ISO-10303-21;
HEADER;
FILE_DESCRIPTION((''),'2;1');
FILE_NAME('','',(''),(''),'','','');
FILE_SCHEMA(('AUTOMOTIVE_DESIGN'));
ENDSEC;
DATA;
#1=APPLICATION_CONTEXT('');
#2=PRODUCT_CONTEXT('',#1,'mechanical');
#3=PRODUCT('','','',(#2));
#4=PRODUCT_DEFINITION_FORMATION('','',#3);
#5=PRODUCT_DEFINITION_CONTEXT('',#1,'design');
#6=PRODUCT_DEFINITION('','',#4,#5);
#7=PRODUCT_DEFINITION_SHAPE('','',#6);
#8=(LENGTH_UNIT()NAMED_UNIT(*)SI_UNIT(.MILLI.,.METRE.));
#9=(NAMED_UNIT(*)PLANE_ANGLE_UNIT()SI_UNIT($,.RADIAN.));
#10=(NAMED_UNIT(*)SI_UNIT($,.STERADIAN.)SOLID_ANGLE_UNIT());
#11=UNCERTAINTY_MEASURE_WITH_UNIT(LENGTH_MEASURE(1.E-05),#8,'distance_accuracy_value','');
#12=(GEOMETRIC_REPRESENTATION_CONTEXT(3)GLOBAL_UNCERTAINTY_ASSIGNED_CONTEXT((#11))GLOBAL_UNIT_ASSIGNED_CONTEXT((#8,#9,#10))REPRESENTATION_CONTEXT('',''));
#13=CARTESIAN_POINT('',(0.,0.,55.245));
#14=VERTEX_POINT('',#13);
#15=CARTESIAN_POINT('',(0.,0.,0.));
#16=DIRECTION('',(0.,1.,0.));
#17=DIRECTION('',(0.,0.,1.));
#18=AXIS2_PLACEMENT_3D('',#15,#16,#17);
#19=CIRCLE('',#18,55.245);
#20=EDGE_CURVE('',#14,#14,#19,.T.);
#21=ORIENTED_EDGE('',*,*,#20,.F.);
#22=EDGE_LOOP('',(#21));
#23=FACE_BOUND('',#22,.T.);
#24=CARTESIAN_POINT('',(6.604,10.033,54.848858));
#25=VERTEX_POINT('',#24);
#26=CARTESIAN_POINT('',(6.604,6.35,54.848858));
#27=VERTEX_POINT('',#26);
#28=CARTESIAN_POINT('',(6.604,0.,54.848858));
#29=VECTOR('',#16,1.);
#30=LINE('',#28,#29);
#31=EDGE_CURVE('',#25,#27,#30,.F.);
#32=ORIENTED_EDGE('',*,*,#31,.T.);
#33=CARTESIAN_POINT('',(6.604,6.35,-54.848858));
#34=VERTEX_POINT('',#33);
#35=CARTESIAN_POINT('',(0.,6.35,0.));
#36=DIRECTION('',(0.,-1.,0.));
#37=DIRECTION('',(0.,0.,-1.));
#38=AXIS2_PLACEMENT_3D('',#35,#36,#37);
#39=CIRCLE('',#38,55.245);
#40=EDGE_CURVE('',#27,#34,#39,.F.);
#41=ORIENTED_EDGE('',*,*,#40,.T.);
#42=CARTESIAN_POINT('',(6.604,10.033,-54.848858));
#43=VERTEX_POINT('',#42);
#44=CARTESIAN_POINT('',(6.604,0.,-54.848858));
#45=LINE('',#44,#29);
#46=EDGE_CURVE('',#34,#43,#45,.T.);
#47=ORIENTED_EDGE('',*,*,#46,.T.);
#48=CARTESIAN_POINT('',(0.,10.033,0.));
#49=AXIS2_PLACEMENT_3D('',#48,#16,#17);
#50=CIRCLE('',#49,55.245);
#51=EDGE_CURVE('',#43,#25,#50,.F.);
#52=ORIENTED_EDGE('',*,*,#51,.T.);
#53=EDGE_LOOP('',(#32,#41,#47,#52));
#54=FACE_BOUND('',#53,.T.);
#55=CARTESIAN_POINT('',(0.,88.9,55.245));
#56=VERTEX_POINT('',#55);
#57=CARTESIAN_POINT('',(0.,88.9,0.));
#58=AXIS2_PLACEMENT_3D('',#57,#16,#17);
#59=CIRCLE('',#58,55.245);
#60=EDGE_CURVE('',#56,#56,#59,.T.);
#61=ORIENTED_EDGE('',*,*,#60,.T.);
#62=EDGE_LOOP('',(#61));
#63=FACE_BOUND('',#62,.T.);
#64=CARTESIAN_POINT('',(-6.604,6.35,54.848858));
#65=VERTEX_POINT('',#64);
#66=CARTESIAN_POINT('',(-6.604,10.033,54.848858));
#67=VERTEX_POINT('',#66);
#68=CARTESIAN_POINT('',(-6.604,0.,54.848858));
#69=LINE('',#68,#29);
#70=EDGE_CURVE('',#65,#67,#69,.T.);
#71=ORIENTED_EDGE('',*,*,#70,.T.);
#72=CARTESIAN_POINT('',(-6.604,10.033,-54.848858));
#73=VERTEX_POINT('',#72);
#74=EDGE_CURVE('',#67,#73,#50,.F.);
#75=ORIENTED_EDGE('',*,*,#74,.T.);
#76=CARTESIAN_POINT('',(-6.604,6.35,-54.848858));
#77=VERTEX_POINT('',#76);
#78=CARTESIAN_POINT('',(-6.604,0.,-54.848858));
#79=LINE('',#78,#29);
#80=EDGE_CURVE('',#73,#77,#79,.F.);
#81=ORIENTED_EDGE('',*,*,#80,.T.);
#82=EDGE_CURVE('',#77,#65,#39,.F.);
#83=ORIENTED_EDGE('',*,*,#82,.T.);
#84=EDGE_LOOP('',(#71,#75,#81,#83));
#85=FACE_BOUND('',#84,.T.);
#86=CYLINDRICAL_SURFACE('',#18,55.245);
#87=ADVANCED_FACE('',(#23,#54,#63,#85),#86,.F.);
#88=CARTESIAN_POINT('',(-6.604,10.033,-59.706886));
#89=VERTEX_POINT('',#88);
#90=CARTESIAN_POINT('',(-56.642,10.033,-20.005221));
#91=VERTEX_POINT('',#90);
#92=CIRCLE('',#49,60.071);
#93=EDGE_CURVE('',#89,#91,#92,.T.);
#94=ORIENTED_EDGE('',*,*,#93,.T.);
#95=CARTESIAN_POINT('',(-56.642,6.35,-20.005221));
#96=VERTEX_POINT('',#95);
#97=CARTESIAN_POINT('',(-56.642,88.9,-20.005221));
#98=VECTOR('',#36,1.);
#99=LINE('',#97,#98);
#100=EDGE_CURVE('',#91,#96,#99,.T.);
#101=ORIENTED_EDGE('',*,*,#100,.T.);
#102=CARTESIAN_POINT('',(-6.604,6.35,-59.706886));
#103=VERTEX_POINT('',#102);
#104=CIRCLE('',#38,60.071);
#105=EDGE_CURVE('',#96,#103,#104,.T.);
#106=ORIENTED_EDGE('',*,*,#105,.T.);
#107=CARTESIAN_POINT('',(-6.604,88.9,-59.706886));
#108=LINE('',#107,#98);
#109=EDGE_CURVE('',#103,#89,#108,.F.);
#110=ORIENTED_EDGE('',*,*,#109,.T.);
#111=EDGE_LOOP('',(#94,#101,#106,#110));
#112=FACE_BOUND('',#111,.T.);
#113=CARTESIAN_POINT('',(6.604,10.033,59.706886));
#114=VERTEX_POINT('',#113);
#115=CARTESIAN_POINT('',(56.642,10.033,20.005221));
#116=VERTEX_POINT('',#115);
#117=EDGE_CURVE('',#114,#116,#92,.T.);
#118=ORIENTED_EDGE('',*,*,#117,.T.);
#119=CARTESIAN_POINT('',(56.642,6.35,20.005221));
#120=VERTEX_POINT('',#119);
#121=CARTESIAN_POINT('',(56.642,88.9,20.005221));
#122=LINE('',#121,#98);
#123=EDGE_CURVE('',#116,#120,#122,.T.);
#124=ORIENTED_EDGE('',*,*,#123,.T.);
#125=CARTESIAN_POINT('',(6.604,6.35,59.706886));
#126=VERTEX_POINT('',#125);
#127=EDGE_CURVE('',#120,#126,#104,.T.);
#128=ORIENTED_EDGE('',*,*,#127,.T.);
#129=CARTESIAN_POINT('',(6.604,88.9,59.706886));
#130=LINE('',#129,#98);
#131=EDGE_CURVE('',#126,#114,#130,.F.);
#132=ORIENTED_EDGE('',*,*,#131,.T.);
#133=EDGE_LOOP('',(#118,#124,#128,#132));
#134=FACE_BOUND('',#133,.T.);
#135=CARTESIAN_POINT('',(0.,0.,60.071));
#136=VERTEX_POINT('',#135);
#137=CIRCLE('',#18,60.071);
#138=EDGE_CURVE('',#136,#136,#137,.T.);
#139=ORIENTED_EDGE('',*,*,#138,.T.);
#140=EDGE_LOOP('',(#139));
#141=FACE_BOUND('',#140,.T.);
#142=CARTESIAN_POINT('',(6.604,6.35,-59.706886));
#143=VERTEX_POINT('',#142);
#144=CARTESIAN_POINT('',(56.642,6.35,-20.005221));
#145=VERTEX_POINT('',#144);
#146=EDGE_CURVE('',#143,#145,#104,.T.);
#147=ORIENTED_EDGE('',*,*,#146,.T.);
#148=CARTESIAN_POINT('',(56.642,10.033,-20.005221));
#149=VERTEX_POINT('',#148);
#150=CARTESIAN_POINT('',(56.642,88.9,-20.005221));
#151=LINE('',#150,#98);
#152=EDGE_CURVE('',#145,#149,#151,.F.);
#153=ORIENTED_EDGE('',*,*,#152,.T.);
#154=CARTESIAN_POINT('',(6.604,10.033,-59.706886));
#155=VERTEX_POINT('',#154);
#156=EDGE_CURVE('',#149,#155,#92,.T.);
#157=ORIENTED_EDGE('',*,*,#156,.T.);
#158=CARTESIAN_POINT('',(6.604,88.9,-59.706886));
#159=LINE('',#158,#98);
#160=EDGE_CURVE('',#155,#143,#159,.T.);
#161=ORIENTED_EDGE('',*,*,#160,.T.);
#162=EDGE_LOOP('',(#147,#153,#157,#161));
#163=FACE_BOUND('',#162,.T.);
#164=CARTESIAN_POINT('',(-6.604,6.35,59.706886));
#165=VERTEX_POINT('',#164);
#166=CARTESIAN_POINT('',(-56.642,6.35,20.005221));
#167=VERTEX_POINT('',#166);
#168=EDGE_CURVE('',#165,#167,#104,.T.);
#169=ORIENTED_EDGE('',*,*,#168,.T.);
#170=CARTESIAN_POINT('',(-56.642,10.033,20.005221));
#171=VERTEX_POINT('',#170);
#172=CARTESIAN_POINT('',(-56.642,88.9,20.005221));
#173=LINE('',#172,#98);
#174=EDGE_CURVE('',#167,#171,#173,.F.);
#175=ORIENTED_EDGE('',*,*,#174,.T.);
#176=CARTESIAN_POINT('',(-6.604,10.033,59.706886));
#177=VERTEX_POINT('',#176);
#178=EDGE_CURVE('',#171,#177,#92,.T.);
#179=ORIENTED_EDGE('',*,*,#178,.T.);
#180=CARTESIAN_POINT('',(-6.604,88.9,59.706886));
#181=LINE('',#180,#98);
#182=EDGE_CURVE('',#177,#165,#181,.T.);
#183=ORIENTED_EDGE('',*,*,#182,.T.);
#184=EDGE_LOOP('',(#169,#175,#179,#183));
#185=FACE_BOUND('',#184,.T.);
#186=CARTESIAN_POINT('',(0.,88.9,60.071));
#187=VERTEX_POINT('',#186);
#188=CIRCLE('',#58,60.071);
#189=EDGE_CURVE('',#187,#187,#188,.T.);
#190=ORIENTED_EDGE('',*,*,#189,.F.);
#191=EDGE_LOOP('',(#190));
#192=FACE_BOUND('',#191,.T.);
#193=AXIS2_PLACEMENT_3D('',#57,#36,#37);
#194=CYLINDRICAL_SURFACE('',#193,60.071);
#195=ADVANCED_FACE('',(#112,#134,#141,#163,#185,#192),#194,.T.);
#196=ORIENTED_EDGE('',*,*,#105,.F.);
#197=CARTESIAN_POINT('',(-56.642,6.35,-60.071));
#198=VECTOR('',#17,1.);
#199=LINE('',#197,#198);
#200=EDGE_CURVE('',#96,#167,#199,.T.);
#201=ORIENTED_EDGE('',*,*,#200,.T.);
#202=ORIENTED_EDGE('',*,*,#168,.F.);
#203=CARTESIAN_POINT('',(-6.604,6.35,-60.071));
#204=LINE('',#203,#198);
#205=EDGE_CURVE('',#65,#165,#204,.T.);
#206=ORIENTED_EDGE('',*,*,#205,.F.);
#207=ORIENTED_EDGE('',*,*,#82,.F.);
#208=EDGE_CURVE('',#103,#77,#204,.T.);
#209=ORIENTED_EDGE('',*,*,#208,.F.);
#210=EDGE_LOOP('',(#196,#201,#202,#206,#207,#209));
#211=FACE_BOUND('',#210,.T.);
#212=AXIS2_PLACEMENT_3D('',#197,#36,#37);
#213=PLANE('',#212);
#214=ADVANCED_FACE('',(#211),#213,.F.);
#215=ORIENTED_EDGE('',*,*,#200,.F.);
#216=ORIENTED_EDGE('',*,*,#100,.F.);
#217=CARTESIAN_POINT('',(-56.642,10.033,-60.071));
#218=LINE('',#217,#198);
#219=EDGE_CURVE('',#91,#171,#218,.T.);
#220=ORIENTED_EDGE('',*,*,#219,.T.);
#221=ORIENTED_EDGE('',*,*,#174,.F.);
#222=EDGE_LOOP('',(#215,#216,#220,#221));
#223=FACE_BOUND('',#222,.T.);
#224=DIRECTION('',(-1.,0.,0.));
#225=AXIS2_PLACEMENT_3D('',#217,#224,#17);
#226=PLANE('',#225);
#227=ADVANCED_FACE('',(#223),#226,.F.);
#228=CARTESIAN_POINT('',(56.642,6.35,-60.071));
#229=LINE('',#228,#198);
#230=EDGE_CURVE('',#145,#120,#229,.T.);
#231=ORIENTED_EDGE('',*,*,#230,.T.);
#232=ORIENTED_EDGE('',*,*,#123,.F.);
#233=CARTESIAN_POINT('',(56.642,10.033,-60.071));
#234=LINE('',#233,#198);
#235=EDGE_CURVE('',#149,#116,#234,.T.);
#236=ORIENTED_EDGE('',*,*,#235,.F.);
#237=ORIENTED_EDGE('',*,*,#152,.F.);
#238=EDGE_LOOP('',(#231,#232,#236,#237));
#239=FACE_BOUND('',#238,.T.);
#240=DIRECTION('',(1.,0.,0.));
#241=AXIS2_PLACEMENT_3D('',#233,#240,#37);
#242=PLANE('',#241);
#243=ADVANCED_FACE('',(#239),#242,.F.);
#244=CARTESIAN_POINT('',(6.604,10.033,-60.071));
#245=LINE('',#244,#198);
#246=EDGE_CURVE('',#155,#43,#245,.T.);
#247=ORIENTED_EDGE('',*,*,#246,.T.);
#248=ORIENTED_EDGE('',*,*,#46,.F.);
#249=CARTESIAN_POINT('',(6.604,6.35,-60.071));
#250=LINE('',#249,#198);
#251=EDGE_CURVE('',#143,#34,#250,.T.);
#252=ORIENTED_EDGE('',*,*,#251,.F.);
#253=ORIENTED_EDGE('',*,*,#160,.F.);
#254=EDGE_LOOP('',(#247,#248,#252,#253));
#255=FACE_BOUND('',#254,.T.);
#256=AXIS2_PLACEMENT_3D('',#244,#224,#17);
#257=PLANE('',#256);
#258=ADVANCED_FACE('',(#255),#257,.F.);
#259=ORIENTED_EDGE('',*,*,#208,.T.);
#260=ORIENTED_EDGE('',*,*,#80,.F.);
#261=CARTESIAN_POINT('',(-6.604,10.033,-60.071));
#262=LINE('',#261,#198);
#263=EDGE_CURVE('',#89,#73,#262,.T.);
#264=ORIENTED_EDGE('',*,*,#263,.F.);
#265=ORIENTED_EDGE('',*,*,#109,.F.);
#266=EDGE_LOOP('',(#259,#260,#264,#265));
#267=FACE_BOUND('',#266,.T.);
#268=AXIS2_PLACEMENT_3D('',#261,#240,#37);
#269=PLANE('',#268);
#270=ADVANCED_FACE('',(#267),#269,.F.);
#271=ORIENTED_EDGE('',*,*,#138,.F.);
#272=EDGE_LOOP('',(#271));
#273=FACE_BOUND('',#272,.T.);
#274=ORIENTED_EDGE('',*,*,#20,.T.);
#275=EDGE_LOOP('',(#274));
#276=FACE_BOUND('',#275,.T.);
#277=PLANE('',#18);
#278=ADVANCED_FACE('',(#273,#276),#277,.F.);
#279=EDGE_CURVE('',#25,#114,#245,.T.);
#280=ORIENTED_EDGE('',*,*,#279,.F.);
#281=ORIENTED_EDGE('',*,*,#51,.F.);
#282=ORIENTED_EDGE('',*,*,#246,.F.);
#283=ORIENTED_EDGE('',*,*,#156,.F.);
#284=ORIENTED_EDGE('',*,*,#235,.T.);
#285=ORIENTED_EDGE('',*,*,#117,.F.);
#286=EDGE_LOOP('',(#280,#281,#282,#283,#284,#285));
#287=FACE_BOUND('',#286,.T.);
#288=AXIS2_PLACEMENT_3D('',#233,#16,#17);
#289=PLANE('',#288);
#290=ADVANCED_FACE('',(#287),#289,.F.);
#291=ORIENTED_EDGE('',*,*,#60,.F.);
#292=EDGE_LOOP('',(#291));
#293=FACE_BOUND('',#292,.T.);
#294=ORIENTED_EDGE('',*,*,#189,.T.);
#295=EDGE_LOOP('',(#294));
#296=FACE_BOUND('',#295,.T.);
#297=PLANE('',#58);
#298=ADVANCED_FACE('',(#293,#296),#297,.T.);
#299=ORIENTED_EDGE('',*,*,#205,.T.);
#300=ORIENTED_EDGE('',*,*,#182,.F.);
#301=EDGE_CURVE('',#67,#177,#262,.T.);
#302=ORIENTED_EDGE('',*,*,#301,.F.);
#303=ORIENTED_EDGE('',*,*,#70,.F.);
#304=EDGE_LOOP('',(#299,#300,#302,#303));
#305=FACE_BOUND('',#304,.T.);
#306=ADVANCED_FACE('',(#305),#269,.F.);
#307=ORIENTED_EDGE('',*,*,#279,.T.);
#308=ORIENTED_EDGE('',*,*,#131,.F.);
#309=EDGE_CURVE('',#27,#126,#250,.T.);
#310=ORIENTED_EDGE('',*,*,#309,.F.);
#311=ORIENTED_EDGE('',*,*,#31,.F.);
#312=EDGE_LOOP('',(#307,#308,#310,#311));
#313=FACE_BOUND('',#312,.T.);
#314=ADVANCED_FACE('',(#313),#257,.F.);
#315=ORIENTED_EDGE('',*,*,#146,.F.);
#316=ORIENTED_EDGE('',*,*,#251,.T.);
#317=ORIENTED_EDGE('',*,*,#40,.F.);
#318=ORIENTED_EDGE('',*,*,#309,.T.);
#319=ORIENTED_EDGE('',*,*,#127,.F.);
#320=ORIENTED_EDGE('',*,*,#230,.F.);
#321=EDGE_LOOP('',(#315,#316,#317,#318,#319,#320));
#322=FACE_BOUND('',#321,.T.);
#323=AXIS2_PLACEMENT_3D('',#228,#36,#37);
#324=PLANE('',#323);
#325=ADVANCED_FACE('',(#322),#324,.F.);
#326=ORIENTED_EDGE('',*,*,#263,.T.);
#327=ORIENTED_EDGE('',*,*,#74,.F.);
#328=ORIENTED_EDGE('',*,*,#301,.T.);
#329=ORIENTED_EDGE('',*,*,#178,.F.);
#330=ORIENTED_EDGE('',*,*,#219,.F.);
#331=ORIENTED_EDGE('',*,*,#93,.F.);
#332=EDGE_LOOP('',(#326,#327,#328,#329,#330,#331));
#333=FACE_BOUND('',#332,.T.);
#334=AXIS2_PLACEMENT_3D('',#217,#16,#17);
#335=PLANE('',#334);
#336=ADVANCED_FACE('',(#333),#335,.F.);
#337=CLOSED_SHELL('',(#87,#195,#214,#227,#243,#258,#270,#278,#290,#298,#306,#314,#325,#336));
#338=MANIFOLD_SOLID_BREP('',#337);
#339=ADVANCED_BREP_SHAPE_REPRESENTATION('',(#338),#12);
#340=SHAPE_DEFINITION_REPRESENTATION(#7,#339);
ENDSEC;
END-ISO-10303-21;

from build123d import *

# Parameters (mm, degrees)
SKETCH1_R               = 60.071
BOSS_EXTRUDE1_DEPTH     = 88.9
SKETCH2_R               = 55.245
CUT_EXTRUDE1_DEPTH      = 123.964466745
CUT_EXTRUDE4_DEPTH      = 123.964466745
CUT_EXTRUDE4_DEPTH_BACK = 123.964466745
SKETCH6_W               = 50.038
SKETCH6_H               = 3.683


with BuildPart() as part:
    # Sketch1 → Boss-Extrude1 (new body)
    with BuildSketch(Plane(origin=(0, 0, 0), x_dir=(1, 0, 0), z_dir=(0, 1, 0))):
        with Locations(Location((0, 0, 0), (0, 0, 270))):
            Circle(SKETCH1_R)
    extrude(amount=BOSS_EXTRUDE1_DEPTH)

    # Sketch2 → Cut-Extrude1 (cut, through all)
    with BuildSketch(Plane(origin=(0, 88.9, 0), x_dir=(1, 0, 0), z_dir=(0, 1, 0))):
        with Locations(Location((0, 0, 0), (0, 0, 270))):
            Circle(SKETCH2_R)
    extrude(amount=-CUT_EXTRUDE1_DEPTH, mode=Mode.SUBTRACT)

    # Sketch6 → Cut-Extrude4 (cut, two sides: drawn at the far end of the back side and taken through both)
    with BuildSketch(Plane.XY.offset(-CUT_EXTRUDE4_DEPTH_BACK)):
        with Locations((-31.623, 8.1915)):
            Rectangle(SKETCH6_W, SKETCH6_H)
        with Locations((31.623, 8.1915)):
            Rectangle(SKETCH6_W, SKETCH6_H)
    extrude(amount=CUT_EXTRUDE4_DEPTH + CUT_EXTRUDE4_DEPTH_BACK, mode=Mode.SUBTRACT)


solid = part.part
